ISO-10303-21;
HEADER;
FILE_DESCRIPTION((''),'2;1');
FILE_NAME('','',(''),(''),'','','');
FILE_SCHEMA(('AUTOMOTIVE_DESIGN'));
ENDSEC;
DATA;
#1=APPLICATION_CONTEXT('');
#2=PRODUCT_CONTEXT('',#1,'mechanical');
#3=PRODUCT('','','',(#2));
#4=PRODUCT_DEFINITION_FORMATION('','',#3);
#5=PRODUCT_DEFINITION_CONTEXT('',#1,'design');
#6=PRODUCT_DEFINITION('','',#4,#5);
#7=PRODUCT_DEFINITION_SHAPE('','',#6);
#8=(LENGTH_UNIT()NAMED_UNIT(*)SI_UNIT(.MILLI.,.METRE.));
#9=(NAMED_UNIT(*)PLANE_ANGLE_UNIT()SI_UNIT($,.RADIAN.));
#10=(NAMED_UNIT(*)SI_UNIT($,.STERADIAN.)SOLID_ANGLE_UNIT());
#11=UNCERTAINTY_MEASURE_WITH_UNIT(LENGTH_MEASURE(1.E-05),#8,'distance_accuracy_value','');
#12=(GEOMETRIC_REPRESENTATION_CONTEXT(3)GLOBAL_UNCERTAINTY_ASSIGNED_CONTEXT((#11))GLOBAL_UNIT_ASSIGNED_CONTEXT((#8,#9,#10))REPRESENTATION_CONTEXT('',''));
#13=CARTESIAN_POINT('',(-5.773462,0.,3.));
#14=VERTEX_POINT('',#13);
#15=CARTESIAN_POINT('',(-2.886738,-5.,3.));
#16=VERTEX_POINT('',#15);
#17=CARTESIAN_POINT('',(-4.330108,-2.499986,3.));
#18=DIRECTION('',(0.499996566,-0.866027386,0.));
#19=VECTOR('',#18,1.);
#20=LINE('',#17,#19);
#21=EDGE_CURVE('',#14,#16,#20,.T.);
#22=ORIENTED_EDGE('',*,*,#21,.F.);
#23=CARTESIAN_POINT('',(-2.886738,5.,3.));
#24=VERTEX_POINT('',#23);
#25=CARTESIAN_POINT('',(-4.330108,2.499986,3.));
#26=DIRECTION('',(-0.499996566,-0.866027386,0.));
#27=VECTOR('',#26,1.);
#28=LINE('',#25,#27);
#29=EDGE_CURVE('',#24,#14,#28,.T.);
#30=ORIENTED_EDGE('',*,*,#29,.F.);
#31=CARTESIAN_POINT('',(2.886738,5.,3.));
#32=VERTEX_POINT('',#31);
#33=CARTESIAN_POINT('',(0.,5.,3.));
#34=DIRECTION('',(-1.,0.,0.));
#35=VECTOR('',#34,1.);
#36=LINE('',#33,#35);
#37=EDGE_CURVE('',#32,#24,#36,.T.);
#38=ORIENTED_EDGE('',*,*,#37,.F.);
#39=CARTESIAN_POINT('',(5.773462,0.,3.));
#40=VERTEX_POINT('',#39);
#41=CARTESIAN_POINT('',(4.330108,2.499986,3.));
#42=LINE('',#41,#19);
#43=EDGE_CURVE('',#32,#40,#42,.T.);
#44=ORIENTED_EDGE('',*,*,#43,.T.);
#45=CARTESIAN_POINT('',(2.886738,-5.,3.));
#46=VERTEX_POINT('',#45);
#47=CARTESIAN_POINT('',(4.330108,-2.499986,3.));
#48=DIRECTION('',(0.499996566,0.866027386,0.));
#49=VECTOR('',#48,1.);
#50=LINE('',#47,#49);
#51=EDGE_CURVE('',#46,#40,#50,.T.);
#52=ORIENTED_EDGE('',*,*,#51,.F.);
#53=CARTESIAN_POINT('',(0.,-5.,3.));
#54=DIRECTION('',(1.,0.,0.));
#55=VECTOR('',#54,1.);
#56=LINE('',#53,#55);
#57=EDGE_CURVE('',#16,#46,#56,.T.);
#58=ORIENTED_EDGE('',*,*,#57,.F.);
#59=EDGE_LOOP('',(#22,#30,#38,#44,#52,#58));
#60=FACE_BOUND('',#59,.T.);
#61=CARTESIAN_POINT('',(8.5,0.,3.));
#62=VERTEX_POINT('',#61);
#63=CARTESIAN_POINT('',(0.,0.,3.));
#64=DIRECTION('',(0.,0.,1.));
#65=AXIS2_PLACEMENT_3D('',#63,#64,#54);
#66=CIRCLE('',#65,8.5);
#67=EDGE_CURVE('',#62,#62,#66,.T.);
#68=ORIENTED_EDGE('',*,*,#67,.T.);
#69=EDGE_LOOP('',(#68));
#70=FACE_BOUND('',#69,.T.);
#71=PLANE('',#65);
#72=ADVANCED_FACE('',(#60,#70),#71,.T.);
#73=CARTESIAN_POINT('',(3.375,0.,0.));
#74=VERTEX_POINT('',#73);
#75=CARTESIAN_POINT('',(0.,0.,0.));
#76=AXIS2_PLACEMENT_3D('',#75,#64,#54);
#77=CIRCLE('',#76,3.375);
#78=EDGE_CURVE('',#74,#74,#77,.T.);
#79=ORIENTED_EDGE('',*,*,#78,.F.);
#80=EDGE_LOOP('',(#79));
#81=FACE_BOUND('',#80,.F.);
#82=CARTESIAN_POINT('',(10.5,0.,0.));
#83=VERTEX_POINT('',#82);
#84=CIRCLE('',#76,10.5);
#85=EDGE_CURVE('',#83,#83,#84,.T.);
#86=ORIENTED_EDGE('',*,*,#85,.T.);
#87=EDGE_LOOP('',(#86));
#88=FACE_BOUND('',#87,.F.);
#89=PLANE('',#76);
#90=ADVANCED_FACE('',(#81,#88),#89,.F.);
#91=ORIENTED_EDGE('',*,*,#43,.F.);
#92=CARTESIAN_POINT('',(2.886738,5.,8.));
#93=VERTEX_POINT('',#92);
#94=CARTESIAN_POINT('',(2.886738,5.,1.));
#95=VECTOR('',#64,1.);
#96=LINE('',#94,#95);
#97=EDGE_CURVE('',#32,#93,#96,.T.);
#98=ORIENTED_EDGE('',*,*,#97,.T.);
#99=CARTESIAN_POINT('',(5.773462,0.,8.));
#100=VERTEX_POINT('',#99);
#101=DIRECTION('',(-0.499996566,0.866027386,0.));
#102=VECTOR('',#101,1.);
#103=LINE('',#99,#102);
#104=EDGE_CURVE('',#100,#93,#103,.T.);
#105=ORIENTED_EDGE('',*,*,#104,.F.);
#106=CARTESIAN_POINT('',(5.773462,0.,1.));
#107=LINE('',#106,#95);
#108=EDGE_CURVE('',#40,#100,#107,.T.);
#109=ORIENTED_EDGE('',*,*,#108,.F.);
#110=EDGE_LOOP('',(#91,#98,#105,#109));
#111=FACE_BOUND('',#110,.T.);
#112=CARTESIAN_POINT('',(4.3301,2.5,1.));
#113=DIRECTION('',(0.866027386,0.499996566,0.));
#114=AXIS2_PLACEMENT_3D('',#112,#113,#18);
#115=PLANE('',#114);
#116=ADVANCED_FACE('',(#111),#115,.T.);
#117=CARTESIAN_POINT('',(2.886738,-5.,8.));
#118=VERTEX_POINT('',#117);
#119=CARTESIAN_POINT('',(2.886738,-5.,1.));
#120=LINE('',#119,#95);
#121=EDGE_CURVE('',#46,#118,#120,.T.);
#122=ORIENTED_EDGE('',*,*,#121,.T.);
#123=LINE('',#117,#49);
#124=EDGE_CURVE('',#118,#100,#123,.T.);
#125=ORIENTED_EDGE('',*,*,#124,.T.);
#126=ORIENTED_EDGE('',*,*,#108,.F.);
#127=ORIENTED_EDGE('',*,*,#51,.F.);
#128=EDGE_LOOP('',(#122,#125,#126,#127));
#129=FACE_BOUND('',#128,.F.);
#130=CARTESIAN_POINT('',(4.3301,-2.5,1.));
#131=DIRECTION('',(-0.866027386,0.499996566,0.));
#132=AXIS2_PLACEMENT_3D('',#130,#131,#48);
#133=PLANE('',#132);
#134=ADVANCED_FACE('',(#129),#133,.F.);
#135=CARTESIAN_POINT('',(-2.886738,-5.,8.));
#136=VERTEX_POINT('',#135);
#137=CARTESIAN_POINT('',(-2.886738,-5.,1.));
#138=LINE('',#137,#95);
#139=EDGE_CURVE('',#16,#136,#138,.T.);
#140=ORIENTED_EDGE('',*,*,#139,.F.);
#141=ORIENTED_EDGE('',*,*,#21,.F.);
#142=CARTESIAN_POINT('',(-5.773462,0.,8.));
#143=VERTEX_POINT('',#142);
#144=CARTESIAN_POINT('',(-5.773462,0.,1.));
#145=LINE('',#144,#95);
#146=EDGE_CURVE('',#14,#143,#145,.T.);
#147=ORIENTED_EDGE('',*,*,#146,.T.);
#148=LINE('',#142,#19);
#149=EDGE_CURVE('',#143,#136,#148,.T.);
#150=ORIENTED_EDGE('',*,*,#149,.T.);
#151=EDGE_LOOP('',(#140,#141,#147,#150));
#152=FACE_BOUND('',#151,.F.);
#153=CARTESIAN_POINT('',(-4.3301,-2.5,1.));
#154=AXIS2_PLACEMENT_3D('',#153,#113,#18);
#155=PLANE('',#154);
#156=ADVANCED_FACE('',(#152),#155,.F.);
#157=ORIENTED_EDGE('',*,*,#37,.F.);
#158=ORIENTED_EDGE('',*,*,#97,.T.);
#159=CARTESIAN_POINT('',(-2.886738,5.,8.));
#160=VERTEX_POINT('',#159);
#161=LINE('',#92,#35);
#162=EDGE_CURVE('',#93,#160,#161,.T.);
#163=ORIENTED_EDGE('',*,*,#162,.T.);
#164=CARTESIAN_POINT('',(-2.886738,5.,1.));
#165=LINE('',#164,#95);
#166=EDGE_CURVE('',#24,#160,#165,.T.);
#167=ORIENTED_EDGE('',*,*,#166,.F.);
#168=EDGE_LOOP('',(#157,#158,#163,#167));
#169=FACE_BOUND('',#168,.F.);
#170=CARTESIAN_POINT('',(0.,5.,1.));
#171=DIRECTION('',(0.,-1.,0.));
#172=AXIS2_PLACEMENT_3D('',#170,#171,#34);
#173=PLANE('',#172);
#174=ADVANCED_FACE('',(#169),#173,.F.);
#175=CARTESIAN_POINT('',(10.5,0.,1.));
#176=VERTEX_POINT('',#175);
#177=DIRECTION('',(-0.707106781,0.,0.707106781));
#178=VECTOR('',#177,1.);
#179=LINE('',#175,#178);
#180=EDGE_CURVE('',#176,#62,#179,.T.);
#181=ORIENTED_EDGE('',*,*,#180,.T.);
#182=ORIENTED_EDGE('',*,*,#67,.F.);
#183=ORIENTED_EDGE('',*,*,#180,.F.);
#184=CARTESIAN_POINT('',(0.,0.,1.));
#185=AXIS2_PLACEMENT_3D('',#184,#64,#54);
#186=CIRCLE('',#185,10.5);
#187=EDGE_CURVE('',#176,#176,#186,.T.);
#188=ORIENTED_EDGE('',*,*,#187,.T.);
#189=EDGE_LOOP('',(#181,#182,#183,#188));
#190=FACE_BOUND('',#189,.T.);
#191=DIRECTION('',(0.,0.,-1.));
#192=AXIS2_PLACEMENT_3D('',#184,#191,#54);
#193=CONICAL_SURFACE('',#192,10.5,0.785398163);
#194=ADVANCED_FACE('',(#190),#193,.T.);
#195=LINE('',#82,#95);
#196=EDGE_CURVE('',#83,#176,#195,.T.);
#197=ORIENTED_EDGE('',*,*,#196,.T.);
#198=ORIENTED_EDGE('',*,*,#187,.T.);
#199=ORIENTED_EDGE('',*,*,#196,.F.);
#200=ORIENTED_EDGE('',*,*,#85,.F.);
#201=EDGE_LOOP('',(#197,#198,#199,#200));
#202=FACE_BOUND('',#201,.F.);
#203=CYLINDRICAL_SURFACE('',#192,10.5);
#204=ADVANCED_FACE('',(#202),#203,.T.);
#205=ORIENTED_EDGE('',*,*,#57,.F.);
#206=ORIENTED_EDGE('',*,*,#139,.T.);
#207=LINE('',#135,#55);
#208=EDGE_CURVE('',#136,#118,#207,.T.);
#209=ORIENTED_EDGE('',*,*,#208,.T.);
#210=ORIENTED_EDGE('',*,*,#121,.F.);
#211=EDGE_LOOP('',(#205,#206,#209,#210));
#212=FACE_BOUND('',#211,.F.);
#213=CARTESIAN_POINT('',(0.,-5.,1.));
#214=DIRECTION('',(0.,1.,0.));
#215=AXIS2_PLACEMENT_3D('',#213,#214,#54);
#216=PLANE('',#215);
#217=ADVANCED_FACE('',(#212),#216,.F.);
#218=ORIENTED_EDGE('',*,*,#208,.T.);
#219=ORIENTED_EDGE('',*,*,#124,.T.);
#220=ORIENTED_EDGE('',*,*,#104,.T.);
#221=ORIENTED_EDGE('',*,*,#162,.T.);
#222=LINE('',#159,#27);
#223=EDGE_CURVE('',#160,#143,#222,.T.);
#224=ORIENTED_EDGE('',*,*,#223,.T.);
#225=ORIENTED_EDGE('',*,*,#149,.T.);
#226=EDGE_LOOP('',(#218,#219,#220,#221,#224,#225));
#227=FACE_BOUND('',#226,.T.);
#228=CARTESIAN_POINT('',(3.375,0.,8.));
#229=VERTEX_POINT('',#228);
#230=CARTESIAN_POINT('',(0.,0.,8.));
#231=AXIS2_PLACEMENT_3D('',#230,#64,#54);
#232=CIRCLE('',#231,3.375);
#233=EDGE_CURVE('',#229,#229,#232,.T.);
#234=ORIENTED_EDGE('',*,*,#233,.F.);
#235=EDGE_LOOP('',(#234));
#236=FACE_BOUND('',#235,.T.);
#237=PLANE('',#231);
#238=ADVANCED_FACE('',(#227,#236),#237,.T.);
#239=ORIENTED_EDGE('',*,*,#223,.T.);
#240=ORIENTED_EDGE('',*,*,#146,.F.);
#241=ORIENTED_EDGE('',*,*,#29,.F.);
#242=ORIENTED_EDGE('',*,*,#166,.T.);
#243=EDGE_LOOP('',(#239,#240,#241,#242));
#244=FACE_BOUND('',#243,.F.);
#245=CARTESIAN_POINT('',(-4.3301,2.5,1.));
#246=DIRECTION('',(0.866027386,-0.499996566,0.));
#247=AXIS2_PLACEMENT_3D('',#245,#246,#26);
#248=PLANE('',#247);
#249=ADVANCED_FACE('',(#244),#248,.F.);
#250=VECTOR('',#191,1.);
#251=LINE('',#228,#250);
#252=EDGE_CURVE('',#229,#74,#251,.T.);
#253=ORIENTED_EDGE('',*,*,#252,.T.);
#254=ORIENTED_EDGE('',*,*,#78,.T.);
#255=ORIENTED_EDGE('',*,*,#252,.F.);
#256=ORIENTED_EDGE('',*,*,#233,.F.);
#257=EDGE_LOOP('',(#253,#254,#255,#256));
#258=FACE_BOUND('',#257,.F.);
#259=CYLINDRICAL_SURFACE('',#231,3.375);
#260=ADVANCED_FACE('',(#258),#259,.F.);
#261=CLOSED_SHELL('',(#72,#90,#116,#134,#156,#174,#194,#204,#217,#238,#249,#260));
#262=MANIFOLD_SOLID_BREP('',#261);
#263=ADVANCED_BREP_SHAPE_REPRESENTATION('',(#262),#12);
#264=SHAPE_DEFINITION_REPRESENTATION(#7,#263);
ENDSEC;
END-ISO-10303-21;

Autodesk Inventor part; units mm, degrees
ref_plane "YZ Plane" through (0, 0, 0) normal (1, 0, 0) x (0, 1, 0)
ref_plane "XZ Plane" through (0, 0, 0) normal (0, 1, 0) x (-1, 0, 0)
ref_plane "XY Plane" through (0, 0, 0) normal (0, 0, 1) x (1, 0, 0)
sketch "Boceto1" plane through (0, 0, 0) normal (0, 0, 1) x (1, 0, 0)
  point P0 (0, 0)
sketch "Boceto2" plane through (0, 0, 0) normal (0, 0, 1) x (1, 0, 0)
  circle A0 centre (0, 0) radius 10.5
  dimension "d0" = 21
extrude "Extrusión1" add sketch "Boceto2" along normal blind 1
sketch "Boceto3" plane through (0, 0, 1) normal (0, 0, 1) x (1, 0, 0)
  circle A0 centre (0, 0) radius 3.375
  circle A1 centre (0, 0) radius 5
  line L0 (0, 5) -> (3, 5)
  line L1 (0, 8.6714) -> (0, 6.7493)
  line L2 (0, 5) -> (-3, 5)
  line L3 (-4.3301, 2.5) -> (-2.8301, 5.0981)
  line L4 (-4.3301, 2.5) -> (-5.8301, -0.0981)
  line L5 (-4.3301, -2.5) -> (-5.8301, 0.0981)
  line L6 (-4.3301, -2.5) -> (-2.8301, -5.0981)
  line L7 (0, -5) -> (-3, -5)
  line L8 (0, -5) -> (3, -5)
  line L9 (4.3301, -2.5) -> (2.8301, -5.0981)
  line L10 (4.3301, -2.5) -> (5.8301, 0.0981)
  line L11 (4.3301, 2.5) -> (5.8301, -0.0981)
  line L12 (4.3301, 2.5) -> (2.8301, 5.0981)
  point P0 (-2.8868, 5)
  point P1 (-5.7735, 0)
  point P2 (-2.8868, -5)
  point P3 (2.8868, -5)
  point P4 (5.7735, 0)
  point P5 (2.8868, 5)
  dimension "d4" = 10
  dimension "d3" = 6.75
  dimension "d5" = 3
  dimension "d8" = 360
extrude "Extrusión2" add sketch "Boceto3" along normal blind 7
sketch "Boceto4" plane through (0, 0, 1) normal (0, 0, 1) x (1, 0, 0)
  circle A0 centre (0, 0) radius 10.5
extrude "Extrusión3" add sketch "Boceto4" along normal blind 2
chamfer "Chaflán1" distance 2 angle 45 1 edges at (-10.5, 0, 3)
sketch "Boceto5" plane through (0, 0, 8) normal (0, 0, 1) x (1, 0, 0)
  circle A0 centre (0, 0) radius 3.375
extrude "Extrusión4" cut sketch "Boceto5" against normal blind 8
properties part number "Tuerca para tornillo"
